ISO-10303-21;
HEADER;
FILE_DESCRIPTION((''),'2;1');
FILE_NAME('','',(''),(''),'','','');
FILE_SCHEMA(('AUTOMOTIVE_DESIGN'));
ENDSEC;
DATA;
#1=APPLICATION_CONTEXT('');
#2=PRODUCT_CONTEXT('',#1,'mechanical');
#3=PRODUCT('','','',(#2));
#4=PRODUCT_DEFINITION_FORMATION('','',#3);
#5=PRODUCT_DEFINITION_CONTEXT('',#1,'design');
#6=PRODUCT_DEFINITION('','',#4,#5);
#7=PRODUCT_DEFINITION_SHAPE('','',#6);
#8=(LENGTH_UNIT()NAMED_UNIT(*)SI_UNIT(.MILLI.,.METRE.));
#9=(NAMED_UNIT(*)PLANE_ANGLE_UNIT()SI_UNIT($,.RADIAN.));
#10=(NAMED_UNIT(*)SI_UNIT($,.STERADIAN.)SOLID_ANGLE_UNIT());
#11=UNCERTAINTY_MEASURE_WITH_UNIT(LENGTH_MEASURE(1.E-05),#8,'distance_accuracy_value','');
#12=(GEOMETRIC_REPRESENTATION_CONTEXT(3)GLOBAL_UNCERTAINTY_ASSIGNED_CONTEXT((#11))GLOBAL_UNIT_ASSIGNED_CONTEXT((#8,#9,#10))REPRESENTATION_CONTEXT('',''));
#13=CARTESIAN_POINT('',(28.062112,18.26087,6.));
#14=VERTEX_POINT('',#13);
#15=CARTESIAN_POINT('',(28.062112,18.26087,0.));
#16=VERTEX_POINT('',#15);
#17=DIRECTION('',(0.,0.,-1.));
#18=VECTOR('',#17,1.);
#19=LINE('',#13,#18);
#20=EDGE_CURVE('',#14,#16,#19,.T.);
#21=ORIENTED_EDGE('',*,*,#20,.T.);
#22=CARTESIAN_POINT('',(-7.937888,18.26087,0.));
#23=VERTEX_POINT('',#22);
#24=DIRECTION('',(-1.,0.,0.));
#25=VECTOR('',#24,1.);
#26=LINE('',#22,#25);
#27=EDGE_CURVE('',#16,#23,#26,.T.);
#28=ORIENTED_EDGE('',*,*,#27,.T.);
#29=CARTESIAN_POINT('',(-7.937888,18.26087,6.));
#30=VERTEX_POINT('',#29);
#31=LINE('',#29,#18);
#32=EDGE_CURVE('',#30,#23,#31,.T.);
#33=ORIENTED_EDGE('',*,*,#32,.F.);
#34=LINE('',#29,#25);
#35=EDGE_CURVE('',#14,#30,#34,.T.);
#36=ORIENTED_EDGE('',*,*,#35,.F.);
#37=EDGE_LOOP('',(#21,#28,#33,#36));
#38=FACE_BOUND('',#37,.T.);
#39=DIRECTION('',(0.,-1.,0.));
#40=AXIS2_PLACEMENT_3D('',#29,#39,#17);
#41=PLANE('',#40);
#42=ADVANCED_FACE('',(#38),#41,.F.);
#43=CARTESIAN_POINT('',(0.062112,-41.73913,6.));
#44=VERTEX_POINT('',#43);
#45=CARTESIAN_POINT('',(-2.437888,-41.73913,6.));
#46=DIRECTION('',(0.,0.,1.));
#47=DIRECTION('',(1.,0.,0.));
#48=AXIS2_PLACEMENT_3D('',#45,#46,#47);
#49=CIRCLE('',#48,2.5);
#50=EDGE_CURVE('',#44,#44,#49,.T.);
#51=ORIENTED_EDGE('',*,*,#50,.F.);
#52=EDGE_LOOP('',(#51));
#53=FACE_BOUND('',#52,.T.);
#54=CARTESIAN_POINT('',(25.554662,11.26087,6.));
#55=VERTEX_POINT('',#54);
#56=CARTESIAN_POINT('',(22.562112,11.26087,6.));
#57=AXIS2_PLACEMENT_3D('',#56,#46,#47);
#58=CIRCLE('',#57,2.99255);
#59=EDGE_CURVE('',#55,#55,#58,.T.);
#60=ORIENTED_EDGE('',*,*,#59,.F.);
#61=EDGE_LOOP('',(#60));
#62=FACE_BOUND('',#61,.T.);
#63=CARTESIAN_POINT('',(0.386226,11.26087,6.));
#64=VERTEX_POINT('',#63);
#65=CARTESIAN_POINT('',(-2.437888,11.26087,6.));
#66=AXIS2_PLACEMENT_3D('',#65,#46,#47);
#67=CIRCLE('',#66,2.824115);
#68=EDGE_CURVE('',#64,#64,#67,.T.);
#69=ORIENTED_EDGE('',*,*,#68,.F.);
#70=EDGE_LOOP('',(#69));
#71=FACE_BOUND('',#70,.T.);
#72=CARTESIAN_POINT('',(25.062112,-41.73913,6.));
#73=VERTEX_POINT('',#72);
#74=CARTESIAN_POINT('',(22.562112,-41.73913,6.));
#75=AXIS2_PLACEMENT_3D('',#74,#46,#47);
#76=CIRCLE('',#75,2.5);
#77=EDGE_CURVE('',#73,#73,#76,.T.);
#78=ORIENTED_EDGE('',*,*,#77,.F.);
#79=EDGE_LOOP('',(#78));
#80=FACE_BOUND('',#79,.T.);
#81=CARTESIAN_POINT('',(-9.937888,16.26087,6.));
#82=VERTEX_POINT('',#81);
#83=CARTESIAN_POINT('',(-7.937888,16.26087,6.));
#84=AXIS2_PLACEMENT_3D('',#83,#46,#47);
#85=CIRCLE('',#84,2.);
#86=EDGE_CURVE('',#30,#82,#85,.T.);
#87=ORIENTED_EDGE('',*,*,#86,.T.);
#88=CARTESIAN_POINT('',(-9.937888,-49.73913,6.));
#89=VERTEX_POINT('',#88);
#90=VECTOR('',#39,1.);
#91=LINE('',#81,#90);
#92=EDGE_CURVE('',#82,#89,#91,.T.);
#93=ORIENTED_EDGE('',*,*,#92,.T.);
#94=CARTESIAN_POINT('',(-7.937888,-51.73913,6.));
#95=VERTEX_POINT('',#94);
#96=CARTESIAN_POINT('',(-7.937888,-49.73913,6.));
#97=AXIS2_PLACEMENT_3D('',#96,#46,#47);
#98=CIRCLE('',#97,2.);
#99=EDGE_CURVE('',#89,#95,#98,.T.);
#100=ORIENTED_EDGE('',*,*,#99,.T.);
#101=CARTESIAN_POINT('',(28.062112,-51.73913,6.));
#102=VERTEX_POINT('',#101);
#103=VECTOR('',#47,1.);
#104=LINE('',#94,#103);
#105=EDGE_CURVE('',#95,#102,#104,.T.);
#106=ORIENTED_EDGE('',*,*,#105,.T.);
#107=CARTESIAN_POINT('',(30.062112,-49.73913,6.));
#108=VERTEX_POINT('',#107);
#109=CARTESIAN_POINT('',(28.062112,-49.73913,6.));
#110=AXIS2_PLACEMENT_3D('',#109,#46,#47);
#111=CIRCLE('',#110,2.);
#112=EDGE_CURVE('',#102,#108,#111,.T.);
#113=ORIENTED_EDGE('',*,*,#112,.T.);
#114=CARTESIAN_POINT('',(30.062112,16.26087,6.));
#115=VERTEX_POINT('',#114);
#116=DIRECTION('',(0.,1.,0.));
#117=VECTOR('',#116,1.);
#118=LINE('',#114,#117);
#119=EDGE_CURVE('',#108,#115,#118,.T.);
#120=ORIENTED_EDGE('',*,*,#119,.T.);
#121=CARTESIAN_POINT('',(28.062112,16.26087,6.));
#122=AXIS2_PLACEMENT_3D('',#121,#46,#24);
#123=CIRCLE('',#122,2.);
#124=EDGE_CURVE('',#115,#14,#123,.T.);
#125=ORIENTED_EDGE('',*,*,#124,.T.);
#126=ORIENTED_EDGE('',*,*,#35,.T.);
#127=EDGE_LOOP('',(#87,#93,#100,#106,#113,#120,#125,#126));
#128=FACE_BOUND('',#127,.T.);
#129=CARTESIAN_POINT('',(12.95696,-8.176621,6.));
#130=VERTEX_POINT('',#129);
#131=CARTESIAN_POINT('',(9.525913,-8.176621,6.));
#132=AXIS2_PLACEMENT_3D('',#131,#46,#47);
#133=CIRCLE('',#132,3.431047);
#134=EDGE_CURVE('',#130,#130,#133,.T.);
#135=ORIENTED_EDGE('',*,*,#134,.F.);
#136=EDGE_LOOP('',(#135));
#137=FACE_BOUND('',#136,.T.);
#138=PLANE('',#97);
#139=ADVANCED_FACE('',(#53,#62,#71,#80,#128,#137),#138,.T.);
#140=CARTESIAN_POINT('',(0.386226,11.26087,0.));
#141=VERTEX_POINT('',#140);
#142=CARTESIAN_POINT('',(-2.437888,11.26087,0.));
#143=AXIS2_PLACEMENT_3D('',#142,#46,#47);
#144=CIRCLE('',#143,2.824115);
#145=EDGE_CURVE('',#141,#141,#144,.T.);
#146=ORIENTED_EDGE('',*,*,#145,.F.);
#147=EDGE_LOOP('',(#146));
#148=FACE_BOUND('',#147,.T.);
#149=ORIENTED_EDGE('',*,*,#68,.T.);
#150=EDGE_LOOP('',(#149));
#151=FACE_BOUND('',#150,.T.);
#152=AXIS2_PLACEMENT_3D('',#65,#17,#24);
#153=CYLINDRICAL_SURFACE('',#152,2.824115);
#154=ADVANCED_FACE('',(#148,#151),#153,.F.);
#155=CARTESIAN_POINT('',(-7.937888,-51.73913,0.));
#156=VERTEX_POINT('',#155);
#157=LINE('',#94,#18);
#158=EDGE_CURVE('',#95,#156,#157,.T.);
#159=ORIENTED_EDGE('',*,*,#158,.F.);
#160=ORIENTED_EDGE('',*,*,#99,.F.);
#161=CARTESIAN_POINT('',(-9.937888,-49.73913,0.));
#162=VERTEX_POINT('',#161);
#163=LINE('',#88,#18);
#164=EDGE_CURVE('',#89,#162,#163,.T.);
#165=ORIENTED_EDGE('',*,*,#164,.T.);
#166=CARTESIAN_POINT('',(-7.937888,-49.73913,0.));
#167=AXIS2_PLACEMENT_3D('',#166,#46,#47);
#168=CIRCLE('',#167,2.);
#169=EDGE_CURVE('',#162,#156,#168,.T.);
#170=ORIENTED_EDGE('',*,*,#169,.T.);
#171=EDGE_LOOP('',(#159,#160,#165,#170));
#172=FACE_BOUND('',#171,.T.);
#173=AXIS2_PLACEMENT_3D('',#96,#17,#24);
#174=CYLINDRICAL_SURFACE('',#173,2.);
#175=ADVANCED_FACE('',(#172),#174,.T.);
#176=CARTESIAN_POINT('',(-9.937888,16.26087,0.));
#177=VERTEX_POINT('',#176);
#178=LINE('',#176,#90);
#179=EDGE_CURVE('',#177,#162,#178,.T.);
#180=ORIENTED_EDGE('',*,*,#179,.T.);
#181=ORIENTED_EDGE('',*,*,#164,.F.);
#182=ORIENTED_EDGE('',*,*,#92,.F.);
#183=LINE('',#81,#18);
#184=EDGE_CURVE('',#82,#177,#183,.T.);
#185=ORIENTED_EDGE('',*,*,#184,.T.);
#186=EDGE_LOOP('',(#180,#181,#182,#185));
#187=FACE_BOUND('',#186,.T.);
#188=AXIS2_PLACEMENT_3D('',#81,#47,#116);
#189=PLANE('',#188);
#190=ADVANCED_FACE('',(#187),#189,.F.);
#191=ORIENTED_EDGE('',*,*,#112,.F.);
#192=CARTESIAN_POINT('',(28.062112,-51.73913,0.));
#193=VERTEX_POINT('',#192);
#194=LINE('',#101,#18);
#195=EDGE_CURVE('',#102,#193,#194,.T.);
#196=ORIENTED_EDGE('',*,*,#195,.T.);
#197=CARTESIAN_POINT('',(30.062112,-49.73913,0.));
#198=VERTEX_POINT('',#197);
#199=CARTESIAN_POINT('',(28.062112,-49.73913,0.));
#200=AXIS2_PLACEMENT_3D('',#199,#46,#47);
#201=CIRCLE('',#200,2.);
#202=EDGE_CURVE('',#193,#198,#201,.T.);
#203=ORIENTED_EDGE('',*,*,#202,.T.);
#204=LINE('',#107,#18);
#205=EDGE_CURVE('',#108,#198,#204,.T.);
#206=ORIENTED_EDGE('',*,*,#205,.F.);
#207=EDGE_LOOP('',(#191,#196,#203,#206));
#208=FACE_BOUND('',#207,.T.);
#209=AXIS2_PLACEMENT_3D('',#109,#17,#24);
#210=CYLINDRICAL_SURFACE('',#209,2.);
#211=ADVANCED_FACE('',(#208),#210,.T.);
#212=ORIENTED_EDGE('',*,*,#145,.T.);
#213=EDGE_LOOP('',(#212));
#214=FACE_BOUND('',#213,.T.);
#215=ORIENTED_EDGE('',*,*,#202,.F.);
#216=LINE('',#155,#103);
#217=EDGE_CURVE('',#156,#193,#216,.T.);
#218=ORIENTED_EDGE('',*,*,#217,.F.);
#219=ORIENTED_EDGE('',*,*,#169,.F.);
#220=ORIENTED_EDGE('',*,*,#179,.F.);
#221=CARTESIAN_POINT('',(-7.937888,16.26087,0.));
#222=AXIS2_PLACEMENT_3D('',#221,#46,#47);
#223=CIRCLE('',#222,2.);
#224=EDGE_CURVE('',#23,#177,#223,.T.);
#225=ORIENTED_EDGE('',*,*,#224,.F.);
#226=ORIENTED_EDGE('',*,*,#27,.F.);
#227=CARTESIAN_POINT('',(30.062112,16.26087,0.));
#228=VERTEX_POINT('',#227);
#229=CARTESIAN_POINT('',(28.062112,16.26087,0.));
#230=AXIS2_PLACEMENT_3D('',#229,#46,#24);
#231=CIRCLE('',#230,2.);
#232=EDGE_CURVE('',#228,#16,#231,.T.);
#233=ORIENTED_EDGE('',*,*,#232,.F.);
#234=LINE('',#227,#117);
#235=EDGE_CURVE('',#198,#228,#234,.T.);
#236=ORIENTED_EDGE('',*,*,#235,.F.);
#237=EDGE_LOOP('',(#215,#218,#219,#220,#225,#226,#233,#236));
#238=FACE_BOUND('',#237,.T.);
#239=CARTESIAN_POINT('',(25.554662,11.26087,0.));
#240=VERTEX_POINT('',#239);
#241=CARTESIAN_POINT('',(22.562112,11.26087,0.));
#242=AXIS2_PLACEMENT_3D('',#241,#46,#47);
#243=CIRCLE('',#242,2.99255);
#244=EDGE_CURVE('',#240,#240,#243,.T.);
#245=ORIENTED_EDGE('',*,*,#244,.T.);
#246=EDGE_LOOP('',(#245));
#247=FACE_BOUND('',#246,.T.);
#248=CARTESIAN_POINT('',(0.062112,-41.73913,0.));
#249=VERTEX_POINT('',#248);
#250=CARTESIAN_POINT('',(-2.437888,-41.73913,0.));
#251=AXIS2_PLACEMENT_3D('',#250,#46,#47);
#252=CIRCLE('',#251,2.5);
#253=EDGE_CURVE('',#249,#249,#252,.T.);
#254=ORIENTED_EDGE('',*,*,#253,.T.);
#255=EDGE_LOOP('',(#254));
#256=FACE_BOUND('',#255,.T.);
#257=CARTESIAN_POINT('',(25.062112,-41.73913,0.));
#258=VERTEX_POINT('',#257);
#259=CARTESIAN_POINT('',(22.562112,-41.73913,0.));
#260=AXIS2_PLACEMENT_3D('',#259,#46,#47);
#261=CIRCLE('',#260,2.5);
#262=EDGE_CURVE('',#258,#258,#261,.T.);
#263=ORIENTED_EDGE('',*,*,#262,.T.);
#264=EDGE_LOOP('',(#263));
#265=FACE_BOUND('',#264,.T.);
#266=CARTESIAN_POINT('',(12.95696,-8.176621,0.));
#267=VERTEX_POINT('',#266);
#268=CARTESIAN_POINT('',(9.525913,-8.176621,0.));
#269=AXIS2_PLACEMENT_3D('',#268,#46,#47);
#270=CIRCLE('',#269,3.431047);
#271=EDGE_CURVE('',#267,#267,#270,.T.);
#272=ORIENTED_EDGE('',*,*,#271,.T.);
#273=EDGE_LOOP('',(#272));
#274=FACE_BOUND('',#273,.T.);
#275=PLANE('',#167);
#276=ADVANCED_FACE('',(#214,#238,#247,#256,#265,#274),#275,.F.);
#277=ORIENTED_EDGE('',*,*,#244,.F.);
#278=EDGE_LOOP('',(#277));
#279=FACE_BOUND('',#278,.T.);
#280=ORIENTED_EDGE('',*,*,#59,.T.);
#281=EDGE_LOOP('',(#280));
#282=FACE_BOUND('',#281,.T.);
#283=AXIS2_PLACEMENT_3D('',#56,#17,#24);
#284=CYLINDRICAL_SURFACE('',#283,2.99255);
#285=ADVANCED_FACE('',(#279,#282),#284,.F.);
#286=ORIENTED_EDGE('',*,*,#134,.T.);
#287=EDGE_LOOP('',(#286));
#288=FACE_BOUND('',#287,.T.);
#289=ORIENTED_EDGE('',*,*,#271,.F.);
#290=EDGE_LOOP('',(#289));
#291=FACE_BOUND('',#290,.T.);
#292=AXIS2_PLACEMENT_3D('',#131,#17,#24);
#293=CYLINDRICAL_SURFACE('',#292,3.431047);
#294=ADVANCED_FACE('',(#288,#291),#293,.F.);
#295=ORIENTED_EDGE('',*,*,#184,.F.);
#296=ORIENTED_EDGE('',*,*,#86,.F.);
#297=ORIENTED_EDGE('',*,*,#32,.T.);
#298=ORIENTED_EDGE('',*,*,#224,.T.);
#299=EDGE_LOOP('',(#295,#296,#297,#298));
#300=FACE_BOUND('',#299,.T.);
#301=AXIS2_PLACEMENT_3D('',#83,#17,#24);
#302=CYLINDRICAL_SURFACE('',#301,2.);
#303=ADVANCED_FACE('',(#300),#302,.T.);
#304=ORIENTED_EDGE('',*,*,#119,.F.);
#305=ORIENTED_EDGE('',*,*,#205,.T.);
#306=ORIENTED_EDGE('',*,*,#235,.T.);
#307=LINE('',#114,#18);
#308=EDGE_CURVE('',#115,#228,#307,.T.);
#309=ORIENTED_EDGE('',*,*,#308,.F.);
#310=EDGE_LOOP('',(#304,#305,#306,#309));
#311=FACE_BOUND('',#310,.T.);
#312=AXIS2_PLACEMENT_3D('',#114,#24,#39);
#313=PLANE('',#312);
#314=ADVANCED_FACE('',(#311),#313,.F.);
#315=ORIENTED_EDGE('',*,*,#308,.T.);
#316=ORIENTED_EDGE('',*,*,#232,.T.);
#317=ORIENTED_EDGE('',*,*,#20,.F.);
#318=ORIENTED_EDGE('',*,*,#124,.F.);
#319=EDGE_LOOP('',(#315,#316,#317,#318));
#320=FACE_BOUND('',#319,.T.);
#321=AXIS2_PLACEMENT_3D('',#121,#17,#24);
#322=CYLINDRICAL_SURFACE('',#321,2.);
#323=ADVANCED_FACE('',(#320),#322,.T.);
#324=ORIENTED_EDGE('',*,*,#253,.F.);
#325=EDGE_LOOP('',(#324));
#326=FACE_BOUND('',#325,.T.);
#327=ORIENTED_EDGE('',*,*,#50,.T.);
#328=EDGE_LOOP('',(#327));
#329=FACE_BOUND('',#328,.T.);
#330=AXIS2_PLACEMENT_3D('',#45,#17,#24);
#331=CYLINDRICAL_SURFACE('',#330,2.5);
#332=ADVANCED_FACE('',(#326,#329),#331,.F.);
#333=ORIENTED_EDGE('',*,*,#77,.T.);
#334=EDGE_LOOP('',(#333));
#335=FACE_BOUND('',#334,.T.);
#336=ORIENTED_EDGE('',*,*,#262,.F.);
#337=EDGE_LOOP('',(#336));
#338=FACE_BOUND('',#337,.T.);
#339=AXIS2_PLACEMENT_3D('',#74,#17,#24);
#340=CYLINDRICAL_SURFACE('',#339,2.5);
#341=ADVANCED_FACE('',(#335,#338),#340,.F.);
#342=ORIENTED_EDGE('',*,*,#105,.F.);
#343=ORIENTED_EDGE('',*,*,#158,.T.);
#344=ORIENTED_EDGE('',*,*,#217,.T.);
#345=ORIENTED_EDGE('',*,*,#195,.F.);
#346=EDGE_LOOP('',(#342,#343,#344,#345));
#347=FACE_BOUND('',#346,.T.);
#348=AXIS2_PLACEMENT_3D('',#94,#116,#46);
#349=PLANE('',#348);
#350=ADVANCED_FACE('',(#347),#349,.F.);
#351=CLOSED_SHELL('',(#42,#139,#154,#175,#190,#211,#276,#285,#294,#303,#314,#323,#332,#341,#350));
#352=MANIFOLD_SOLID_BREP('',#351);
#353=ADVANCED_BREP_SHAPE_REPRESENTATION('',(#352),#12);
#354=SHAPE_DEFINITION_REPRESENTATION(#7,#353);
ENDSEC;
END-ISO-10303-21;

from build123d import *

# Parameters (mm, degrees)
SKETCH1_R           = 2.824114624
SKETCH1_R_2         = 2.992549833
SKETCH1_R_3         = 2.5
SKETCH1_R_4         = 3.43104669
BOSS_EXTRUDE1_DEPTH = 6


with BuildPart() as part:
    # Sketch1 → Boss-Extrude1 (new body)
    with BuildSketch(Plane.XY):
        with BuildLine():
            Line((-7.937888199, 18.260869565), (28.062111801, 18.260869565))
            ThreePointArc((28.062111801, 18.260869565), (29.476325364, 17.675083128), (30.062111801, 16.260869565))
            Line((30.062111801, 16.260869565), (30.062111801, -49.739130435))
            ThreePointArc((30.062111801, -49.739130435), (29.476325364, -51.153343997), (28.062111801, -51.739130435))
            Line((28.062111801, -51.739130435), (-7.937888199, -51.739130435))
            ThreePointArc((-7.937888199, -51.739130435), (-9.352101761, -51.153343997), (-9.937888199, -49.739130435))
            Line((-9.937888199, -49.739130435), (-9.937888199, 16.260869565))
            ThreePointArc((-9.937888199, 16.260869565), (-9.352101761, 17.675083128), (-7.937888199, 18.260869565))
        make_face()
        with Locations((-2.437888199, 11.260869565)):
            Circle(SKETCH1_R, mode=Mode.SUBTRACT)
        with Locations((22.562111801, 11.260869565)):
            Circle(SKETCH1_R_2, mode=Mode.SUBTRACT)
        with Locations((-2.437888199, -41.739130435)):
            Circle(SKETCH1_R_3, mode=Mode.SUBTRACT)
        with Locations((22.562111801, -41.739130435)):
            Circle(SKETCH1_R_3, mode=Mode.SUBTRACT)
        with Locations((9.525913043, -8.176621118)):
            Circle(SKETCH1_R_4, mode=Mode.SUBTRACT)
    extrude(amount=BOSS_EXTRUDE1_DEPTH)


solid = part.part
